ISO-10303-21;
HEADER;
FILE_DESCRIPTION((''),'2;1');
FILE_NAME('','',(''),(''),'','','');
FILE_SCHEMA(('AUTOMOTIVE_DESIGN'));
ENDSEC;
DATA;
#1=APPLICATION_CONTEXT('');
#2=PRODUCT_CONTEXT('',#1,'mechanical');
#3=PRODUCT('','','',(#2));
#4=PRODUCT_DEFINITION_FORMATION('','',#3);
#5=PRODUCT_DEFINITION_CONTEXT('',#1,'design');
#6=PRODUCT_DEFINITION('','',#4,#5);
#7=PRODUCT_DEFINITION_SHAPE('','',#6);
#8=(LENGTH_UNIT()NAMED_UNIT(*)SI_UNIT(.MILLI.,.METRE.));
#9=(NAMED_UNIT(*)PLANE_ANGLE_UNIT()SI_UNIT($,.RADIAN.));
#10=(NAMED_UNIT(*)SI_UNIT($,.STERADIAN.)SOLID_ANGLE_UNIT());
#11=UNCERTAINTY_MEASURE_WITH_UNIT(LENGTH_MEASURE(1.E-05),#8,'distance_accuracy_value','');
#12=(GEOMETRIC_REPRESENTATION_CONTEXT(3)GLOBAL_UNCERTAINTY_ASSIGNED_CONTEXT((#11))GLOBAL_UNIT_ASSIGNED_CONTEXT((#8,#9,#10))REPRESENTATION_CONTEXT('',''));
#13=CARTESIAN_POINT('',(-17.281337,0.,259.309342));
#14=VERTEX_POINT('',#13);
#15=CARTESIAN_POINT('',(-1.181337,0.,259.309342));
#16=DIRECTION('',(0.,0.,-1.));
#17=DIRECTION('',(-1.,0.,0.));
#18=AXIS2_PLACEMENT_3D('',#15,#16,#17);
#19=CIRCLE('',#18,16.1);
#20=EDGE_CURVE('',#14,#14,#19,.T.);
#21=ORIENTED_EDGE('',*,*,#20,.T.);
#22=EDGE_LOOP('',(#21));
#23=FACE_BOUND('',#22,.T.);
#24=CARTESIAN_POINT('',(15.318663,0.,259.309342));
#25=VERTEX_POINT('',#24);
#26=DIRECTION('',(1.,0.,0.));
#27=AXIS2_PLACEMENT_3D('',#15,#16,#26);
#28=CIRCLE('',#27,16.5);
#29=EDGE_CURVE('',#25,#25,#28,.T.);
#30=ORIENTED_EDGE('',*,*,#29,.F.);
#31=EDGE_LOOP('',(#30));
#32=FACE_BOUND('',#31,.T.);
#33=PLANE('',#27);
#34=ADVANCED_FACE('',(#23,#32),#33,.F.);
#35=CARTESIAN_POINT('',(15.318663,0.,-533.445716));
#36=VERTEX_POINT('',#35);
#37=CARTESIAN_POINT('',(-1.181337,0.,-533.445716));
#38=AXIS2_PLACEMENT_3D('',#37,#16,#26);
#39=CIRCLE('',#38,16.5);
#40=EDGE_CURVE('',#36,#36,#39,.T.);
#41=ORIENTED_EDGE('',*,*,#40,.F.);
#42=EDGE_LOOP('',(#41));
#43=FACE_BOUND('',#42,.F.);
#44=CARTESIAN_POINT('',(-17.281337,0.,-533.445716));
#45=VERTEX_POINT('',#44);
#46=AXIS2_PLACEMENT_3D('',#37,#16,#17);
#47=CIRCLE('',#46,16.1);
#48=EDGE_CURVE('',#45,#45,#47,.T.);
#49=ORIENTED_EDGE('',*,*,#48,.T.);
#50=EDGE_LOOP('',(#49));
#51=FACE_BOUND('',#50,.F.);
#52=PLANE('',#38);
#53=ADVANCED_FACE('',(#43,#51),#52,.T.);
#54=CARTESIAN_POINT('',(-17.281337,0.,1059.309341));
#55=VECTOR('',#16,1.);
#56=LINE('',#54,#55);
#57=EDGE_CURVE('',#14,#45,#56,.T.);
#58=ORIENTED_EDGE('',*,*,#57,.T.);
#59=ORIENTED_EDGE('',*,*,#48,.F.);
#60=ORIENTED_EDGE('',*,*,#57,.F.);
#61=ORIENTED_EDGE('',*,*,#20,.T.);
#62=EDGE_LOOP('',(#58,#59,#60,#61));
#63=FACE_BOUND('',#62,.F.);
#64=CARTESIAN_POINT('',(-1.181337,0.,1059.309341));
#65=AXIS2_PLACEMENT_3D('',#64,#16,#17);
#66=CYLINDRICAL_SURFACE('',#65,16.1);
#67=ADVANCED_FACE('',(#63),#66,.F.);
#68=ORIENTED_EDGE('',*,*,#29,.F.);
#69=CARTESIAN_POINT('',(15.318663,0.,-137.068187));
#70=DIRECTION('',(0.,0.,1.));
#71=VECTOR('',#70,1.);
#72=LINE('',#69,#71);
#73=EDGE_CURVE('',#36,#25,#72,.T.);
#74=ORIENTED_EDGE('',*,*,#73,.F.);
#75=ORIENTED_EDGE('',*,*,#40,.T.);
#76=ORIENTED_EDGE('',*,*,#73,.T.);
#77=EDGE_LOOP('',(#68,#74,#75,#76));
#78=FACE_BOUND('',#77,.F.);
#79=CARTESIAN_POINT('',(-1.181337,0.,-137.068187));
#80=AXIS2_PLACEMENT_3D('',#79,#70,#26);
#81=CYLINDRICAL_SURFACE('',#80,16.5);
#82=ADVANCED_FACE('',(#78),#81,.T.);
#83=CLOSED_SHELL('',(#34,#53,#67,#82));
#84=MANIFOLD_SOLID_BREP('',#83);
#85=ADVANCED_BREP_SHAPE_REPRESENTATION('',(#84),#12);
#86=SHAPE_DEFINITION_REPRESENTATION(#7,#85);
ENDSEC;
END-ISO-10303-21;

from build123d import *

# Parameters (mm, degrees)
F0_W     = 16.5
F0_H     = 792.755057
F3_D     = 32.2
F3_DEPTH = 800


with BuildPart() as f1:
    # F0 (on Front) → F1 (revolve)
    with BuildSketch(Plane.XZ):
        with Locations((7.068663, -137.068187)):
            Rectangle(F0_W, F0_H)
    revolve(axis=Axis((-1.181337, 0, -137.068187), (0, 0, -1)))

    # F3
    with Locations(Plane.XY.offset(259.309341)):
        with Locations((-1.181337, 0)):
            Hole(F3_D / 2, depth=F3_DEPTH)


solid = f1.part
